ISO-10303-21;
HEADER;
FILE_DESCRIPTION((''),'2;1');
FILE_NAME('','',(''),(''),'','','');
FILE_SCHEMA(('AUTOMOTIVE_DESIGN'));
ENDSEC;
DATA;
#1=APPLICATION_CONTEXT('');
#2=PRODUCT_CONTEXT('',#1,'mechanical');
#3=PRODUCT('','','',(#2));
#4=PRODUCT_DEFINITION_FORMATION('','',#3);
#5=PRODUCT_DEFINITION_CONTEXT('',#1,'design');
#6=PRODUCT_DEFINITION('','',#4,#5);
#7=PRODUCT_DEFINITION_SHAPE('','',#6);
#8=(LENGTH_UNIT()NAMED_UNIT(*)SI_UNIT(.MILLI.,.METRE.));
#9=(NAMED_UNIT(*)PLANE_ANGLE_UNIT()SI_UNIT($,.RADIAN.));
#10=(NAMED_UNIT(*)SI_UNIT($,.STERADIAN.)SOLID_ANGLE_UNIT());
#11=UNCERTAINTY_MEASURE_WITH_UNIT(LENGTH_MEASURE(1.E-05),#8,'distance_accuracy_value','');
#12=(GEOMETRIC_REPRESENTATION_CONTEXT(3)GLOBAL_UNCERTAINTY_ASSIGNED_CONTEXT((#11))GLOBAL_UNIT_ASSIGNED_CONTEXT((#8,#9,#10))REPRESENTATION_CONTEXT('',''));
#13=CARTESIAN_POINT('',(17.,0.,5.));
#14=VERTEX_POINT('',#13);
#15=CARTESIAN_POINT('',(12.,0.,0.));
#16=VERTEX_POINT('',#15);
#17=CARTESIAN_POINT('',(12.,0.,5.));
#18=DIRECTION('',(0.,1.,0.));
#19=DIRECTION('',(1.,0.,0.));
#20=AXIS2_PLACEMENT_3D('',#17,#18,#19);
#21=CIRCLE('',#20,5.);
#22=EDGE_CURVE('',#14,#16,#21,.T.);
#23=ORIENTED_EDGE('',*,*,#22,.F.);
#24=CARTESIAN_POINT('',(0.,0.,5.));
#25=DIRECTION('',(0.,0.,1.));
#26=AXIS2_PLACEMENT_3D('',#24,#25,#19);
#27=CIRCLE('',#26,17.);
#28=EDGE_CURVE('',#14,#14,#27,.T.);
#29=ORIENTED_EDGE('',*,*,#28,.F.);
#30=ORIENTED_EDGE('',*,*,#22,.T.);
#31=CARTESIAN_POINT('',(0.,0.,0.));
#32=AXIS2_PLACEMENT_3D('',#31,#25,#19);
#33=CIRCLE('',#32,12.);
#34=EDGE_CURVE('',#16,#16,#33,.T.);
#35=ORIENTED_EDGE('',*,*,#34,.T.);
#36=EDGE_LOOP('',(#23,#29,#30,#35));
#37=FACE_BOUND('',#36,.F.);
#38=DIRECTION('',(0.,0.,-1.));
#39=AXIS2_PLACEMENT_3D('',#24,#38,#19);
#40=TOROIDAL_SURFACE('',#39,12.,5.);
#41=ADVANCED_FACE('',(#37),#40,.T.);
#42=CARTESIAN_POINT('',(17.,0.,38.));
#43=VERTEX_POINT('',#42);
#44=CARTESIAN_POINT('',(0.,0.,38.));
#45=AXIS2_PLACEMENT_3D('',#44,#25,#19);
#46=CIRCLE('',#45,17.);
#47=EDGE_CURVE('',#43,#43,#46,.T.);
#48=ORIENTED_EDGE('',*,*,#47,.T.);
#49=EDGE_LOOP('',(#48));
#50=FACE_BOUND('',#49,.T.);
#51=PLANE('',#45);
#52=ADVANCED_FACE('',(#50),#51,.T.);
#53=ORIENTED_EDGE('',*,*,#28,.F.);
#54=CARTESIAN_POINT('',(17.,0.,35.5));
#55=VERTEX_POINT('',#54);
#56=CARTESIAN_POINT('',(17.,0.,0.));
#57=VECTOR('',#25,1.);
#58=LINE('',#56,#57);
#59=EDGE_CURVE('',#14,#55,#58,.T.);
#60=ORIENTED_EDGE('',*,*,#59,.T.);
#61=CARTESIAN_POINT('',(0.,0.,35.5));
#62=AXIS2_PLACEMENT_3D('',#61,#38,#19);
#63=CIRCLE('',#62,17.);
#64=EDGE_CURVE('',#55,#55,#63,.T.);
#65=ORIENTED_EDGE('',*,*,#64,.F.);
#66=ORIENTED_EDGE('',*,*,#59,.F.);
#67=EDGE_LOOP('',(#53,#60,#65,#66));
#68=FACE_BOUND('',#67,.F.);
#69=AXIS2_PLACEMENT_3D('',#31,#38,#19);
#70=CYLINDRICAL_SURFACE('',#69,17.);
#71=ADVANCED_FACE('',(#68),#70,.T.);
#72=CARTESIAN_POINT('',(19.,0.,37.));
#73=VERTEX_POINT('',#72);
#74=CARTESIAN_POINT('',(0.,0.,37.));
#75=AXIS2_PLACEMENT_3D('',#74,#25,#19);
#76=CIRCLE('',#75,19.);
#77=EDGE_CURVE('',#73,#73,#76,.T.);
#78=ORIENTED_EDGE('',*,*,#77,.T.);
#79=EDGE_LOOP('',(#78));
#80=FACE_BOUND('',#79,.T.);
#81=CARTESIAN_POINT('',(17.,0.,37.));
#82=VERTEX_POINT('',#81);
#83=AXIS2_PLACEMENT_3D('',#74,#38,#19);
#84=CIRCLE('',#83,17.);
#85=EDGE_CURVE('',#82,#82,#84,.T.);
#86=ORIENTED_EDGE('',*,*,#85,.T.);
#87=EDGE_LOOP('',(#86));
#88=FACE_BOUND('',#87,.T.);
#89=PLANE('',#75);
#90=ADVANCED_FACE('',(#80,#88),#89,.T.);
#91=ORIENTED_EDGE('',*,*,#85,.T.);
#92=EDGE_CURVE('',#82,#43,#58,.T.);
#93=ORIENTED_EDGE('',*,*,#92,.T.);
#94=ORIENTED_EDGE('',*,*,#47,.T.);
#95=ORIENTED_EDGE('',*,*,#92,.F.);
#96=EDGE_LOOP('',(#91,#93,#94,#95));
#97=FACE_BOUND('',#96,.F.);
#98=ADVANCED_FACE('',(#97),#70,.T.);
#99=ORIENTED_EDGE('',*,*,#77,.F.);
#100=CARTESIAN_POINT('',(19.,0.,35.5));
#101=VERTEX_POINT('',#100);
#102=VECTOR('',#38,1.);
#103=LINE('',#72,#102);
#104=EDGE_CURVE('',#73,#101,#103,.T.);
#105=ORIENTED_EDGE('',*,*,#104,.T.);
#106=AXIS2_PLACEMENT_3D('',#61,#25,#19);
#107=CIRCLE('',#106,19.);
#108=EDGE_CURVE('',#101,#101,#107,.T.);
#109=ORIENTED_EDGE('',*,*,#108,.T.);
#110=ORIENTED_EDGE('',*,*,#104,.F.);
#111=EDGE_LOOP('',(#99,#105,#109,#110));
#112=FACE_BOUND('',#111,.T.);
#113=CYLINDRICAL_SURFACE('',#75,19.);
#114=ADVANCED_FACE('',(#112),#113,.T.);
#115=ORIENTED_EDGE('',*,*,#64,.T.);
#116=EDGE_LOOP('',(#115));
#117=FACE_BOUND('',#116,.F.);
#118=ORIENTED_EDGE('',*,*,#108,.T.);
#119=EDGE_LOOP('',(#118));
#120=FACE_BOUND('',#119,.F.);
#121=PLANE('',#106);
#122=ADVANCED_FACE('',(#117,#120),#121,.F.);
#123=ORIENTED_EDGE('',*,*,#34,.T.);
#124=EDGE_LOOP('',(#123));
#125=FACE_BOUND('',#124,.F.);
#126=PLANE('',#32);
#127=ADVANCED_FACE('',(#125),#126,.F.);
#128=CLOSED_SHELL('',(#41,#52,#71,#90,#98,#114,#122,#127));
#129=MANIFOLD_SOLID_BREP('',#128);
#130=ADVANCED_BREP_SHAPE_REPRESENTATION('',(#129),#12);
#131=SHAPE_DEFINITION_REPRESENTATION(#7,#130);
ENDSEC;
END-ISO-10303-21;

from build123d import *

# Parameters (mm, degrees)
F0_R     = 17
F1_DEPTH = 38
F2_R     = 5
F4_R     = 19
F5_DEPTH = 1.5


with BuildPart() as f1:
    # F0 (on Top) → F1 (new body)
    with BuildSketch(Plane.XY):
        Circle(F0_R)
    extrude(amount=F1_DEPTH)

    # F2
    f2_edges = [f1.edges().sort_by_distance(p)[0] for p in [
        (-17, 0, 0),
    ]]
    fillet(f2_edges, radius=F2_R)

    # F4 (on offset) → F5 (join)
    with BuildSketch(Plane.XY.offset(37)):
        Circle(F4_R)
    extrude(amount=-F5_DEPTH)


solid = f1.part
